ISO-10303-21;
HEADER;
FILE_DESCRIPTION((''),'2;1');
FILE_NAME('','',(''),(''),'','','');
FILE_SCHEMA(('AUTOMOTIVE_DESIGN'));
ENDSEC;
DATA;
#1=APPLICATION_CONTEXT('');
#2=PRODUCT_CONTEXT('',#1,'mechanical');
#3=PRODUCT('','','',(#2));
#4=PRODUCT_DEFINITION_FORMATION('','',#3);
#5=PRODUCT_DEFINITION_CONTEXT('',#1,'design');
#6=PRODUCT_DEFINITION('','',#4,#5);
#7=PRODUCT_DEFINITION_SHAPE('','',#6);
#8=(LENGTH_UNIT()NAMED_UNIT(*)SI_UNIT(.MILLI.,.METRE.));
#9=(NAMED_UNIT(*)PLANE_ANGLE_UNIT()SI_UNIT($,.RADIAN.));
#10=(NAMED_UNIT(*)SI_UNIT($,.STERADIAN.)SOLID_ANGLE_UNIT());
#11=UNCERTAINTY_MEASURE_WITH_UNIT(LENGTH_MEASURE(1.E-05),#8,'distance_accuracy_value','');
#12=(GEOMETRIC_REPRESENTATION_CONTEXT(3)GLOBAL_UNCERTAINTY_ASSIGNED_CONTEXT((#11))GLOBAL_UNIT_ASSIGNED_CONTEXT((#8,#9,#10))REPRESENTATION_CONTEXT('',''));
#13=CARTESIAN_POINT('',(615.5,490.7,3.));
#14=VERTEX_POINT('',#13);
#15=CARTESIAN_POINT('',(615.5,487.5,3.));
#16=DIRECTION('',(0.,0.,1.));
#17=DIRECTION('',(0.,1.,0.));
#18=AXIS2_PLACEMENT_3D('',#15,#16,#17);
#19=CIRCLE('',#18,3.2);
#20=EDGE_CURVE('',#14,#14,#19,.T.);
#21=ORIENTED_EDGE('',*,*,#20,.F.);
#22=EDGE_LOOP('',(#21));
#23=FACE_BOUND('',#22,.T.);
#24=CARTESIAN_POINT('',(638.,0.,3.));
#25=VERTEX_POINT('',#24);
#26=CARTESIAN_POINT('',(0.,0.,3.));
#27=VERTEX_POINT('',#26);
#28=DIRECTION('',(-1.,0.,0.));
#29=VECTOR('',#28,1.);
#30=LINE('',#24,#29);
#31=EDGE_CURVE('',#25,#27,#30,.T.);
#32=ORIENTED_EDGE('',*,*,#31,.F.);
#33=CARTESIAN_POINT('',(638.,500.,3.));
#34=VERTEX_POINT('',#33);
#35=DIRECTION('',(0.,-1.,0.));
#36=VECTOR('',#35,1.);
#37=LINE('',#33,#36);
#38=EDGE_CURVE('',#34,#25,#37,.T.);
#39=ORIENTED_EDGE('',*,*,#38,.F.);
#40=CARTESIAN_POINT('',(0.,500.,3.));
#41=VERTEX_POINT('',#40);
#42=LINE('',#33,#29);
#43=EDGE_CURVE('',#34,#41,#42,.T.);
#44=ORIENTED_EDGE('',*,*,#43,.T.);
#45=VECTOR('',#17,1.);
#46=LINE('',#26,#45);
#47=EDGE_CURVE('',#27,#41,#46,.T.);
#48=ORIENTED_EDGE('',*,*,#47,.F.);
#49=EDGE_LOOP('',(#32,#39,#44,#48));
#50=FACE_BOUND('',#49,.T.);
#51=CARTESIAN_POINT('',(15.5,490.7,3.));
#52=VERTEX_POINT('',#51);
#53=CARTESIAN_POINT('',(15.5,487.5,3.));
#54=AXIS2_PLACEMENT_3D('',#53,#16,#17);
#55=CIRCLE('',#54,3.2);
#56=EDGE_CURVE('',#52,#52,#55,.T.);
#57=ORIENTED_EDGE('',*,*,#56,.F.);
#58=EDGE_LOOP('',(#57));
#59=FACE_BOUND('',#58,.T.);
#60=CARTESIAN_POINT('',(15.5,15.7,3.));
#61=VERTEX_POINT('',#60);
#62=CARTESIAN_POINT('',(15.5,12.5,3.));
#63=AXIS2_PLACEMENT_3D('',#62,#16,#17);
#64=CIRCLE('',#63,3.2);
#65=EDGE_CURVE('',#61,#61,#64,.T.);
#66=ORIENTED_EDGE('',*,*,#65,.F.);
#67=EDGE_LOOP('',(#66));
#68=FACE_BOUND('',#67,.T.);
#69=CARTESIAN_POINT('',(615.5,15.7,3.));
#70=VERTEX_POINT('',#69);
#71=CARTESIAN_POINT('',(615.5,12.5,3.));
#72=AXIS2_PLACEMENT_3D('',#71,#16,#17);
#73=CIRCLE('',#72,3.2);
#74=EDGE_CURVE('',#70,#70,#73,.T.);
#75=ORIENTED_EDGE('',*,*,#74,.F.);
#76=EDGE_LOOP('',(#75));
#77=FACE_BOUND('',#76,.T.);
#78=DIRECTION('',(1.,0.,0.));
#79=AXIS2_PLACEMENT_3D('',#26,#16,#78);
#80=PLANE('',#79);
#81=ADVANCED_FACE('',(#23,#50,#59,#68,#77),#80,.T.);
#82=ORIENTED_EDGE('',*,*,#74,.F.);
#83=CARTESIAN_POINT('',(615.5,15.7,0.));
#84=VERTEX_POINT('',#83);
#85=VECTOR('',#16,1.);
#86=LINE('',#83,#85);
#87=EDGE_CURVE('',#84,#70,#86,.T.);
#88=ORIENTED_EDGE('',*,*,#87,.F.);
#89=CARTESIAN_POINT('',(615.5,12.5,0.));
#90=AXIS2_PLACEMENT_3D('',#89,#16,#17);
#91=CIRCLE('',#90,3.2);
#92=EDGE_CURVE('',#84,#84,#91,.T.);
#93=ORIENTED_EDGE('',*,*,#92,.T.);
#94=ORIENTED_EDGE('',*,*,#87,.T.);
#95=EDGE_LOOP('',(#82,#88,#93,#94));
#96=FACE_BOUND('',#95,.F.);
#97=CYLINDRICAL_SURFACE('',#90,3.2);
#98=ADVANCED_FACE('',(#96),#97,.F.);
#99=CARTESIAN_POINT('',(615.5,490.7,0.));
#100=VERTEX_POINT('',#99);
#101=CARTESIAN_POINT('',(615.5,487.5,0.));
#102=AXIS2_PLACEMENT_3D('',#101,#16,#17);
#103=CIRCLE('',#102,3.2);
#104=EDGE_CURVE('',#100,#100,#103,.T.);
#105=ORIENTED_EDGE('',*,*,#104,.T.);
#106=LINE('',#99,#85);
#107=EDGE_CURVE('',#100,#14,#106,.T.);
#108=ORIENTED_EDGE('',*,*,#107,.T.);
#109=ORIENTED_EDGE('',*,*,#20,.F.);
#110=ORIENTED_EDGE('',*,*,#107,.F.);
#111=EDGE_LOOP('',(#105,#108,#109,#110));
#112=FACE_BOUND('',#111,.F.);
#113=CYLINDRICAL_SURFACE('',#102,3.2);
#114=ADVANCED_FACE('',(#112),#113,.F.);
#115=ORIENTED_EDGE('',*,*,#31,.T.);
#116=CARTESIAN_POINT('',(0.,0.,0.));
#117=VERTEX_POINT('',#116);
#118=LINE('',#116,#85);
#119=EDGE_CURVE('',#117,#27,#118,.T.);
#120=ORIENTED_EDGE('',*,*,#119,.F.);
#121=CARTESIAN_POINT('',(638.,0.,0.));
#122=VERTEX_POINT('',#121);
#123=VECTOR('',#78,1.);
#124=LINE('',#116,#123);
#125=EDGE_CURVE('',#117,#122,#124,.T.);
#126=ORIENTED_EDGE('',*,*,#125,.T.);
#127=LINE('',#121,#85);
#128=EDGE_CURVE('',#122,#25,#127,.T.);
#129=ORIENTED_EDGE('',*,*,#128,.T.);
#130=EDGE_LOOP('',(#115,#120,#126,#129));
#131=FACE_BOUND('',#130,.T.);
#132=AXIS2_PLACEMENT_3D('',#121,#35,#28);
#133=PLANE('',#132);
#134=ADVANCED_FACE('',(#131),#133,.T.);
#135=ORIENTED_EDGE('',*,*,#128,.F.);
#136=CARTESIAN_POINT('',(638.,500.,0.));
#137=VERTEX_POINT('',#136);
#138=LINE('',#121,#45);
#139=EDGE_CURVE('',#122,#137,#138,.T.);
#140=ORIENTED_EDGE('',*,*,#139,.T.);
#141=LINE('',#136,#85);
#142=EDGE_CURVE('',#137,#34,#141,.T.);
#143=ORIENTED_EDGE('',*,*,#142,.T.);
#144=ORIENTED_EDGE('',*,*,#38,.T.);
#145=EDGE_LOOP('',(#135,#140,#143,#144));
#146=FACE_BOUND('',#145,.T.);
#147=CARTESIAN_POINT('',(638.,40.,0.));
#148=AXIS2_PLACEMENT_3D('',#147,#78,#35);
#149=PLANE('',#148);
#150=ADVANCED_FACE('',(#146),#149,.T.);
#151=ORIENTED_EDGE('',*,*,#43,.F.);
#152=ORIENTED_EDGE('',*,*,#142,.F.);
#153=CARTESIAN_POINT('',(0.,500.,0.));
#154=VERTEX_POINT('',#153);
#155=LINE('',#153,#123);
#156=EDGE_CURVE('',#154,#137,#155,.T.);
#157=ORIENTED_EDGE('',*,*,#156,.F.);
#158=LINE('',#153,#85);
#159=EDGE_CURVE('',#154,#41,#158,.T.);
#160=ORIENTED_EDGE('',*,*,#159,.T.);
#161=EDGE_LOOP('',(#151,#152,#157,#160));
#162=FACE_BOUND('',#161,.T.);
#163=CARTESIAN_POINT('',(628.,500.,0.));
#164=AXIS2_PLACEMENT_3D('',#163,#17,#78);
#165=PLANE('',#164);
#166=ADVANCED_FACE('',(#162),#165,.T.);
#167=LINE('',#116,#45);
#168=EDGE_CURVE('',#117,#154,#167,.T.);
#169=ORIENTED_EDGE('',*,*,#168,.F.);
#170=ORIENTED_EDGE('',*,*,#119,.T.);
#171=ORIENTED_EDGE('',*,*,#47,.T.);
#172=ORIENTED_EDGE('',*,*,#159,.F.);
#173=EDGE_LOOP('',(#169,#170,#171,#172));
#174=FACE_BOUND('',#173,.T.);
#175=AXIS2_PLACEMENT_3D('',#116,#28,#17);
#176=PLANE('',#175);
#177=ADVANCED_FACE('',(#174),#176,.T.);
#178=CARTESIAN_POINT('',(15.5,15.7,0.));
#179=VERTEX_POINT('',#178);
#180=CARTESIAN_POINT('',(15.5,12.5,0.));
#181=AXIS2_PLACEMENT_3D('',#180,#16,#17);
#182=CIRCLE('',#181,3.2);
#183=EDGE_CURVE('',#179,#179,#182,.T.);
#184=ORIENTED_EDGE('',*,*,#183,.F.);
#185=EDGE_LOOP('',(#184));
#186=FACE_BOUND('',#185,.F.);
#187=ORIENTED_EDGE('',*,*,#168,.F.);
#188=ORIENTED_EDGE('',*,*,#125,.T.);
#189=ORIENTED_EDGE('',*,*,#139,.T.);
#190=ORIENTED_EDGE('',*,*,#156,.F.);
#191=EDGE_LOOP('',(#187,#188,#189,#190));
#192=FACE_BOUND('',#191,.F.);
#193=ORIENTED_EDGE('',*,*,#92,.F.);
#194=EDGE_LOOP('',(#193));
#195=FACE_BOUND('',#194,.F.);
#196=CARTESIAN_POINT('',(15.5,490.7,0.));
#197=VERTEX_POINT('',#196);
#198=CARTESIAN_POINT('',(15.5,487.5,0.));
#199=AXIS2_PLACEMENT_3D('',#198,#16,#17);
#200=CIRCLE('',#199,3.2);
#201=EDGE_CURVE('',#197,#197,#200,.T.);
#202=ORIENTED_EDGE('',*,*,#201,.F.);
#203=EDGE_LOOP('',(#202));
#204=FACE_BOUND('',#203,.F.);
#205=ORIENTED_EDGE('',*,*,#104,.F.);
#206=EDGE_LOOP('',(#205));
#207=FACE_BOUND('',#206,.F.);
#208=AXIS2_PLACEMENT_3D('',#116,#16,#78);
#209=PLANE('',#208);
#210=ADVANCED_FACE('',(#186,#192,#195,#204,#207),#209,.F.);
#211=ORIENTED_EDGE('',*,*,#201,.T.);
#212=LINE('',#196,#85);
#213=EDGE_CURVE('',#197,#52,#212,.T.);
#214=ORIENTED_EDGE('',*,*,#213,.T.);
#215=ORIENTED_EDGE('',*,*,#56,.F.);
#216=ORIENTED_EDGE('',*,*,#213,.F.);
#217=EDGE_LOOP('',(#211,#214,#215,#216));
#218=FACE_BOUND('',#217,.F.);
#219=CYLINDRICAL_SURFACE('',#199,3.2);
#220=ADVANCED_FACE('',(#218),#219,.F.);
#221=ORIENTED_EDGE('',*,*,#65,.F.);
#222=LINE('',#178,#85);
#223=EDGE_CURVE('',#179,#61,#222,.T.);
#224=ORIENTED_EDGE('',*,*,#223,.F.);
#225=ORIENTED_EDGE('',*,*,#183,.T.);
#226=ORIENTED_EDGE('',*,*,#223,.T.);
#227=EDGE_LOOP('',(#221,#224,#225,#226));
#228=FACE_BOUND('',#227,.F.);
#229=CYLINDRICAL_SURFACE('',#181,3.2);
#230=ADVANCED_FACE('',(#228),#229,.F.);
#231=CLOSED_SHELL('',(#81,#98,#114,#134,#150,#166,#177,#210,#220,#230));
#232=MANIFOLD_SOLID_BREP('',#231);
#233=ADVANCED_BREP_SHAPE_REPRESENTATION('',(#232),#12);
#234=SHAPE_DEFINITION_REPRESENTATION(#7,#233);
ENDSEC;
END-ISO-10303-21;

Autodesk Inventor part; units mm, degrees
ref_plane "YZ Plane" through (0, 0, 0) normal (1, 0, 0) x (0, 1, 0)
ref_plane "XZ Plane" through (0, 0, 0) normal (0, 1, 0) x (-1, 0, 0)
ref_plane "XY Plane" through (0, 0, 0) normal (0, 0, 1) x (1, 0, 0)
sketch "Sketch1" plane through (0, 0, 0) normal (0, 0, 1) x (1, 0, 0)
  line L0 (638, 0) -> (0, 0)
  line L1 (0, 0) -> (0, 500)
  line L2 (0, 500) -> (638, 500)
  line L3 (638, 500) -> (638, 0)
  line L4 (615.5, 493.1922) -> (615.5, 30.4656) construction
  line L5 (15.5, 487.5) -> (15.5, 12.5) construction
  line L6 (638, 500) -> (615.5, 500)
  line L7 (638, 460) -> (638, 500)
  line L8 (638, 0) -> (615.5, 0)
  line L9 (638, 40) -> (638, 0)
  line L10 (638, 500) -> (628, 500)
  line L11 (638, 460) -> (638, 500)
  line L12 (638, 0) -> (628, 0)
  line L13 (638, 40) -> (638, 0)
  point P0 (615.5, 12.5)
  point P1 (615.5, 487.5)
  dimension "d2" = 638
  dimension "d3" = 500
  dimension "d10" = 22.5
  dimension "d11" = 15.5
  dimension "d12" = 12.5
  dimension "d13" = 12.5
  dimension "d14" = 12.5
  dimension "d15" = 12.5
extrude "Extrusion1" add sketch "Sketch1" along normal blind 3
hole "Hole1" at (615.5, 12.5, 0) at (615.5, 487.5, 0) at (15.5, 487.5, 0) at (15.5, 12.5, 0) direction (0, 0, 1) diameter 6.4 end through all
properties part number "left_wall"
